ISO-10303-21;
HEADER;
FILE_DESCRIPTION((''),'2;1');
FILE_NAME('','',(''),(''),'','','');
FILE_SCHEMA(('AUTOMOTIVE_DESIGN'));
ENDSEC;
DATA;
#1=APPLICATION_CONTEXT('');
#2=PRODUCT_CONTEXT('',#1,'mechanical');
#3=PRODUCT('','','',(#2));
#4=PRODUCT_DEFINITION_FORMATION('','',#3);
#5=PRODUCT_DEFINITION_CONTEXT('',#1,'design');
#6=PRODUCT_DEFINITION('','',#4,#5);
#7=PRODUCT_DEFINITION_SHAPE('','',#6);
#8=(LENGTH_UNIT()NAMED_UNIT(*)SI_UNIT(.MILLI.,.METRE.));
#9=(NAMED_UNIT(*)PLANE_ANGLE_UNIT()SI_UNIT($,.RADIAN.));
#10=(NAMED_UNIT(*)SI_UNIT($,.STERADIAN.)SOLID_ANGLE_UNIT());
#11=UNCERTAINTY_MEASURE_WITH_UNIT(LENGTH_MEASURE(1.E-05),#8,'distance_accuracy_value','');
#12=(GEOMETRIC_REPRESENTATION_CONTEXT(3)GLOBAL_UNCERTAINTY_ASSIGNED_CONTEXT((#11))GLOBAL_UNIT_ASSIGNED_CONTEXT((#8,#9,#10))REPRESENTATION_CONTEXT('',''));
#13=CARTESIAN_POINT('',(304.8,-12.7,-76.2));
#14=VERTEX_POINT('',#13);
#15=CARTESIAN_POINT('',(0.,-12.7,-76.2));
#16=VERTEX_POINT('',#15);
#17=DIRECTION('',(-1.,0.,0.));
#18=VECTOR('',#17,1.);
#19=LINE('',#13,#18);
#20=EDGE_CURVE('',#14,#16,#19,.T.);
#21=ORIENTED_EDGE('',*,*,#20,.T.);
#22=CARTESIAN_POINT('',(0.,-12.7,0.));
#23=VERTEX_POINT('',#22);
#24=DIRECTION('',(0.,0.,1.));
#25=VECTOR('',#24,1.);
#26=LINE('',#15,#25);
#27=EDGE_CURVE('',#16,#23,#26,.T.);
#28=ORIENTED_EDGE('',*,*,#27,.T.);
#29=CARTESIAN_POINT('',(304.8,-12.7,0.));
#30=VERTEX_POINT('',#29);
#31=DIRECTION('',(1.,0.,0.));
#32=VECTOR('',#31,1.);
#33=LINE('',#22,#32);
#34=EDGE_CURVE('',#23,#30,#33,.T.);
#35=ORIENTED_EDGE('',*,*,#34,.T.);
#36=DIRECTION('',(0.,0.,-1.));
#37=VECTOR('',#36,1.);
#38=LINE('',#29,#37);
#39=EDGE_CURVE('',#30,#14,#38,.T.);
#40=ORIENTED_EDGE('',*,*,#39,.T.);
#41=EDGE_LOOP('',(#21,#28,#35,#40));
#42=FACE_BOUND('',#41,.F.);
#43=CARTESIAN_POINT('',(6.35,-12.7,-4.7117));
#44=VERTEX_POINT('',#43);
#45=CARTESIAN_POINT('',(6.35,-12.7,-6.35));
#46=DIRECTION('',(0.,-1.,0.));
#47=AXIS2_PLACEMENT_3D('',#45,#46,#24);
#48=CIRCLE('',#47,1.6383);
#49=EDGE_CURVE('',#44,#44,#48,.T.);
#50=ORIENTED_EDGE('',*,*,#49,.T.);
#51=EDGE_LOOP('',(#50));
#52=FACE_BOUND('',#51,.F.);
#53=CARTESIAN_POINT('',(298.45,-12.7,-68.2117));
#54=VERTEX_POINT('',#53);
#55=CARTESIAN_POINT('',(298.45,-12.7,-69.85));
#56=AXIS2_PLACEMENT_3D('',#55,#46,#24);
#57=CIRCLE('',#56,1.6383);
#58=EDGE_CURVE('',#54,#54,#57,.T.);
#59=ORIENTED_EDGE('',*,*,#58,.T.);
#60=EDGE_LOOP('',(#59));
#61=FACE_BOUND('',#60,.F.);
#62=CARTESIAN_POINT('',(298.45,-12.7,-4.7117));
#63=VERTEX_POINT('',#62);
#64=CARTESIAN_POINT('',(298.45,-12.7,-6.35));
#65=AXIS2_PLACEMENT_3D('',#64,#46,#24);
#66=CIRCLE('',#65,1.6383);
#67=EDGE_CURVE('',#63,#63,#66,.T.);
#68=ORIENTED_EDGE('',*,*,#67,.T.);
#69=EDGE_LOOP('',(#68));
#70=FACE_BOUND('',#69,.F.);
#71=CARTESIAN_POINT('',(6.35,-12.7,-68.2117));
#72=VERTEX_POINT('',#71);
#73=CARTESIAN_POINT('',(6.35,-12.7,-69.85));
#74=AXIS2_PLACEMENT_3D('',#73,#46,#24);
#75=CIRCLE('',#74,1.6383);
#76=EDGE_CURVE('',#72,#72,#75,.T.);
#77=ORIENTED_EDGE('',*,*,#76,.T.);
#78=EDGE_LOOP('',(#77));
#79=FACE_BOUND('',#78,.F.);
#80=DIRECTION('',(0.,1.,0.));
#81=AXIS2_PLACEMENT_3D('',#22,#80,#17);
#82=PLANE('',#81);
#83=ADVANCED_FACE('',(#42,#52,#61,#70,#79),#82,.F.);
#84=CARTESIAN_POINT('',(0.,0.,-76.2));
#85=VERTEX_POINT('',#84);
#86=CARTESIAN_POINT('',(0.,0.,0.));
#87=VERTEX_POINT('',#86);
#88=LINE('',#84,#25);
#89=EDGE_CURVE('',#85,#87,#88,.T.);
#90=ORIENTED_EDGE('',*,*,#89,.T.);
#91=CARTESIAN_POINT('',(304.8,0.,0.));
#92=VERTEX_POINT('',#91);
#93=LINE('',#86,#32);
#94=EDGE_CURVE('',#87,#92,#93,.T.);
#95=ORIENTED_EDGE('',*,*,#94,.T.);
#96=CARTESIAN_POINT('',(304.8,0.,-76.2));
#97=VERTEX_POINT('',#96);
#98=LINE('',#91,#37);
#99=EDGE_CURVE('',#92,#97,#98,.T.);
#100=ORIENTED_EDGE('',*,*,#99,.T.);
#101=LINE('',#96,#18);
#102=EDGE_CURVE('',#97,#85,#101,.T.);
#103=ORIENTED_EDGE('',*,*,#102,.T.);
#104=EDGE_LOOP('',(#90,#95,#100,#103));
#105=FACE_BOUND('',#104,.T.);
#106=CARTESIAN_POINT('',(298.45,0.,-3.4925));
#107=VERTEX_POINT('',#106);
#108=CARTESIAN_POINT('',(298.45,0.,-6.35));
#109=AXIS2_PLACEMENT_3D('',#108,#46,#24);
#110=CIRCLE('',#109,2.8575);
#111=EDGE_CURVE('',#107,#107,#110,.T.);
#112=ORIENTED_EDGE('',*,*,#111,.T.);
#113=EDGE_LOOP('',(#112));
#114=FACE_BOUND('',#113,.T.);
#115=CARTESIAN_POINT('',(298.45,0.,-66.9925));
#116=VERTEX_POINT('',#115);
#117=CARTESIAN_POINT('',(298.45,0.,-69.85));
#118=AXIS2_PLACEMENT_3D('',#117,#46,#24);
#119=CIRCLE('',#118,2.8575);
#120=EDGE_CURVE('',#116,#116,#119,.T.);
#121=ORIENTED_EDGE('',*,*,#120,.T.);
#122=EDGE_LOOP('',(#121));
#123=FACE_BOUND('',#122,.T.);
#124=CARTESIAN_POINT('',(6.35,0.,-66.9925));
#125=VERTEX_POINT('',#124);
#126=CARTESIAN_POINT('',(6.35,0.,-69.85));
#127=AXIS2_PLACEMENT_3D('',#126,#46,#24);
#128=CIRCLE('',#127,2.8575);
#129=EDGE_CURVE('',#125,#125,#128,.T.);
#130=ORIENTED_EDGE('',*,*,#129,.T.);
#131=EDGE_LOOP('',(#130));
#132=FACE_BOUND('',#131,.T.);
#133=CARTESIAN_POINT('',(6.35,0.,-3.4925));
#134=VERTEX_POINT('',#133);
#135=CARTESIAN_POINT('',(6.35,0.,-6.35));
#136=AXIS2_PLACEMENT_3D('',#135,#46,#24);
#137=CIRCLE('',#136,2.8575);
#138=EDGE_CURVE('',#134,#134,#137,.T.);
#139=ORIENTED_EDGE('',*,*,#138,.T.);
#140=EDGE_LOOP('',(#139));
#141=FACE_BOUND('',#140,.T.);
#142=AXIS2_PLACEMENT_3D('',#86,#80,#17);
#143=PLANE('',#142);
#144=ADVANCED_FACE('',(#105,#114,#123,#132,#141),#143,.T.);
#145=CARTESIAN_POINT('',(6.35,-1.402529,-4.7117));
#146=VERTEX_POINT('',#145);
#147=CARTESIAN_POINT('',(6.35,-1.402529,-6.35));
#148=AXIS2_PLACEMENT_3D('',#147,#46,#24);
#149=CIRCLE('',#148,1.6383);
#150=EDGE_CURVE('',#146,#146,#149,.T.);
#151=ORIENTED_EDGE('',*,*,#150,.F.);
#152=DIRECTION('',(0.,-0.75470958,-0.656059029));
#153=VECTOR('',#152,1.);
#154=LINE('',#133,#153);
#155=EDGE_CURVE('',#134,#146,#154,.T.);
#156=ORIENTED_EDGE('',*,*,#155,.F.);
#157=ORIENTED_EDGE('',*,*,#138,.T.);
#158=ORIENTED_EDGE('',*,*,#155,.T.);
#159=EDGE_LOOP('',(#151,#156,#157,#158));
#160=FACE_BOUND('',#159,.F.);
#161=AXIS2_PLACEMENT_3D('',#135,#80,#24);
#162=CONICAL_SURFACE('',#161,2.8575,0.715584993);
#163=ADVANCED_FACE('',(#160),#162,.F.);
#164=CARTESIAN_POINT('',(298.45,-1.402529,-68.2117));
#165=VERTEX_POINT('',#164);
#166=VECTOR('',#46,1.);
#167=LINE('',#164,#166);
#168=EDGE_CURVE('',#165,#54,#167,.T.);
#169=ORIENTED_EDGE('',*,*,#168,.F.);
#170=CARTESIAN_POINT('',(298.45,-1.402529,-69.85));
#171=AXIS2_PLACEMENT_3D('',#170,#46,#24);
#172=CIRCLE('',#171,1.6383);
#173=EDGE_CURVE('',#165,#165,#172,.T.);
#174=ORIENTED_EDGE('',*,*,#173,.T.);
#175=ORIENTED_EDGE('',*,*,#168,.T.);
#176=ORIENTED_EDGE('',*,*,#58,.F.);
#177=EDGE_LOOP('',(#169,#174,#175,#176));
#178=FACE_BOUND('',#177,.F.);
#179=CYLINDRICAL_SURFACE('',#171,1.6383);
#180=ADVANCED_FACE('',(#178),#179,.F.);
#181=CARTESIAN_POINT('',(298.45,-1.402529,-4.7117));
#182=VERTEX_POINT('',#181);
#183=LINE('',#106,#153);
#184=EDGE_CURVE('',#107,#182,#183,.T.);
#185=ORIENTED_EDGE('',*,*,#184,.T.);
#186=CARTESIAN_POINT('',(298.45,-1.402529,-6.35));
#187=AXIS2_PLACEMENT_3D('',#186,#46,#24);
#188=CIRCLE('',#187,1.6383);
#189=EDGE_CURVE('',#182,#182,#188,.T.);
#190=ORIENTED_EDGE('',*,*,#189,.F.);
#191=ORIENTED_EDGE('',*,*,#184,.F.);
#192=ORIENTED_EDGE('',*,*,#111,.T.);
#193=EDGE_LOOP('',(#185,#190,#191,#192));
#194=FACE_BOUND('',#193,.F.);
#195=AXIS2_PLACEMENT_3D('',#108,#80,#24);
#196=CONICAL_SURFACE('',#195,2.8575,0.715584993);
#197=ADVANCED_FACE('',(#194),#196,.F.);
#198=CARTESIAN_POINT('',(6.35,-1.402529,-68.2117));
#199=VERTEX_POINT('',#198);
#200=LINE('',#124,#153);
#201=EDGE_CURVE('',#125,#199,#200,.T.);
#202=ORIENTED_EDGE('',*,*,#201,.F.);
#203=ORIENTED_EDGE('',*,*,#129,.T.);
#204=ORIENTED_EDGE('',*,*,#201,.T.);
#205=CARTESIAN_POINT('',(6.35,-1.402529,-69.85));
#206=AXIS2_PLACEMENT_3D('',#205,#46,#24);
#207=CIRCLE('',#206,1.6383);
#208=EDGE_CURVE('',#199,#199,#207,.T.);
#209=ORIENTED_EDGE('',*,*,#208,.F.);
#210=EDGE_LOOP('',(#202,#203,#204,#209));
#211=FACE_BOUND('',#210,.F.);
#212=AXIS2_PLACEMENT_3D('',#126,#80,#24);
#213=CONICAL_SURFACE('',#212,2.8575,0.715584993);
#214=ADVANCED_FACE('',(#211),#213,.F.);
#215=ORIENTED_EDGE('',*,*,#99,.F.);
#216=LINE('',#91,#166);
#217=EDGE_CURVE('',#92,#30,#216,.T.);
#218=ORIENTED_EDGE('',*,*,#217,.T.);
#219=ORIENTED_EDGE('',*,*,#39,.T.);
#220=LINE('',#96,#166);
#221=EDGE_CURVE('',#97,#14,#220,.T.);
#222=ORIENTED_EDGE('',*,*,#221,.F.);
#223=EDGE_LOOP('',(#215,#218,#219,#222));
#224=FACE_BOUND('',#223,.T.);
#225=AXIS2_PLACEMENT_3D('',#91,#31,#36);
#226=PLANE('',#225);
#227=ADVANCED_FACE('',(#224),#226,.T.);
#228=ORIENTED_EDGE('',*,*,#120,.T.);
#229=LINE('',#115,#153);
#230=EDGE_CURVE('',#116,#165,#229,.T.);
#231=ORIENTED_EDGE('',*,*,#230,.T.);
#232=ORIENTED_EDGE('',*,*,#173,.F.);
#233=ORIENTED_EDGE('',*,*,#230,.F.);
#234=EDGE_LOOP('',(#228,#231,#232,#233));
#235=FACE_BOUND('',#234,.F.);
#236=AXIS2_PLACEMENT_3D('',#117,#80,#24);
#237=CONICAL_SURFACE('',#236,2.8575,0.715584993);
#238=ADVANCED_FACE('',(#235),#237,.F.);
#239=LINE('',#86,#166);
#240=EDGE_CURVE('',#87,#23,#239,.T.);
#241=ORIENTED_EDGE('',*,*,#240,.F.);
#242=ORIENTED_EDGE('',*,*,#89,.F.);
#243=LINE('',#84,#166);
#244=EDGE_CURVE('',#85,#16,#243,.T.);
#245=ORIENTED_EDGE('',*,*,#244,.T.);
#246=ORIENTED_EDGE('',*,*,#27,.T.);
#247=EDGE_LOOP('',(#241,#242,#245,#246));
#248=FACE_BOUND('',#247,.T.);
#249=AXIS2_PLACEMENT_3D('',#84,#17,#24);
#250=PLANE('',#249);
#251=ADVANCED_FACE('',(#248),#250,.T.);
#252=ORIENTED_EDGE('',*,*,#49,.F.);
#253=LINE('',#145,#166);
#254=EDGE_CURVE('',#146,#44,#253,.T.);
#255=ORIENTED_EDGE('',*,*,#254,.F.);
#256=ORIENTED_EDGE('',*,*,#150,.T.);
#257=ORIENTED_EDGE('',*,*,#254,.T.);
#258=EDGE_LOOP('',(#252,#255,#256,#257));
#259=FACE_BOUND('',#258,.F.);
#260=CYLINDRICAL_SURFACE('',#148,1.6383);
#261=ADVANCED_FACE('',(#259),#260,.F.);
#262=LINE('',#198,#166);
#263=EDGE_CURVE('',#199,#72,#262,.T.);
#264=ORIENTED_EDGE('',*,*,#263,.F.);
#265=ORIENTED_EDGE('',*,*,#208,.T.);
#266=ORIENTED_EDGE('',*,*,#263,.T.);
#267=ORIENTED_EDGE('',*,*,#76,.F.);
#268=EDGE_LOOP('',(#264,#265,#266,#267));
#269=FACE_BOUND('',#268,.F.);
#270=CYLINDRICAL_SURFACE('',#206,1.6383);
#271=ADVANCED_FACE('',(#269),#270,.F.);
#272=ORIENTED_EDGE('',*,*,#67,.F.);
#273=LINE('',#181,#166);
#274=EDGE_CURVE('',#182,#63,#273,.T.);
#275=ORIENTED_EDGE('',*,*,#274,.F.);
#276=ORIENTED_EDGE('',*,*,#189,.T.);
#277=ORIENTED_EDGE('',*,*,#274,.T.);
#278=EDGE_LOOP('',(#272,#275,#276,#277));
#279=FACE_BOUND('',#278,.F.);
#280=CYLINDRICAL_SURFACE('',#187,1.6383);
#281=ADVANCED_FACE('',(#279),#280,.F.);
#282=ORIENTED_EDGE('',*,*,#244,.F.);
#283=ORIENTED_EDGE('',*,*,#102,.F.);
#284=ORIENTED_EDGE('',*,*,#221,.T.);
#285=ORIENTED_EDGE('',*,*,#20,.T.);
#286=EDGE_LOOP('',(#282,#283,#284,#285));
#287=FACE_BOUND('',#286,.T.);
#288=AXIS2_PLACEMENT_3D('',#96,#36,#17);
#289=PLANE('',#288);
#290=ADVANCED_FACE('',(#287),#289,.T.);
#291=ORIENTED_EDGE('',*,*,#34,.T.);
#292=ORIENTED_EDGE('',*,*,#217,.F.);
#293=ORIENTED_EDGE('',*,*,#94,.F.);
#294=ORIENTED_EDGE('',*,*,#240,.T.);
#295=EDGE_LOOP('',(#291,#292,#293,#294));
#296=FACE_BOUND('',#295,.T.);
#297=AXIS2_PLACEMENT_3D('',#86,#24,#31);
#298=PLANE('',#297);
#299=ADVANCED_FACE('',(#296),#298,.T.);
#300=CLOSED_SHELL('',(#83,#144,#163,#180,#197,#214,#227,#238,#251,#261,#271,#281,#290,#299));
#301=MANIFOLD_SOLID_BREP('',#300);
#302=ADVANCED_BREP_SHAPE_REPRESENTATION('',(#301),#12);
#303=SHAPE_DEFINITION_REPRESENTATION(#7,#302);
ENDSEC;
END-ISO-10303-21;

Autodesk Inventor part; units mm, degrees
ref_plane "YZ Plane" through (0, 0, 0) normal (1, 0, 0) x (0, 1, 0)
ref_plane "XZ Plane" through (0, 0, 0) normal (0, 1, 0) x (-1, 0, 0)
ref_plane "XY Plane" through (0, 0, 0) normal (0, 0, 1) x (1, 0, 0)
sketch "Sketch1" plane through (0, 0, 0) normal (0, 1, 0) x (-1, 0, 0)
  line L0 (0, 0) -> (-304.8, 0)
  line L1 (-304.8, 0) -> (-304.8, -76.2)
  line L2 (-304.8, -76.2) -> (0, -76.2)
  line L3 (0, -76.2) -> (0, 0)
  circle A0 centre (-6.35, -69.85) radius 1.3891
  circle A1 centre (-6.35, -6.35) radius 1.3891
  circle A2 centre (-298.45, -6.35) radius 1.3891
  circle A3 centre (-298.45, -69.85) radius 1.3891
  dimension "d0" = 76.2
  dimension "d1" = 304.8
  dimension "d4" = 2.7781
  dimension "d5" = 6.35
  dimension "d6" = 6.35
  dimension "d7" = 6.35
  dimension "d8" = 6.35
extrude "Extrusion1" add sketch "Sketch1" against normal blind 12.7 contours L3 L2 L1 L0 | A0 | A1 | A2 | A3
hole "Hole1" at (6.35, 0, -69.85) at (298.45, 0, -69.85) at (298.45, 0, -6.35) at (6.35, 0, -6.35) direction (0, -1, 0) diameter 3.2766 end through all countersink diameter 5.715 countersink angle 82 clearance for "Flat Head Machine Screw (82)" size "#4" standard "Ansi Unified Screw Threads"
equation "\"d7\" = d5"
equation "\"d8\" = d6"
properties material "MDF Medium Density Fiberboard"
